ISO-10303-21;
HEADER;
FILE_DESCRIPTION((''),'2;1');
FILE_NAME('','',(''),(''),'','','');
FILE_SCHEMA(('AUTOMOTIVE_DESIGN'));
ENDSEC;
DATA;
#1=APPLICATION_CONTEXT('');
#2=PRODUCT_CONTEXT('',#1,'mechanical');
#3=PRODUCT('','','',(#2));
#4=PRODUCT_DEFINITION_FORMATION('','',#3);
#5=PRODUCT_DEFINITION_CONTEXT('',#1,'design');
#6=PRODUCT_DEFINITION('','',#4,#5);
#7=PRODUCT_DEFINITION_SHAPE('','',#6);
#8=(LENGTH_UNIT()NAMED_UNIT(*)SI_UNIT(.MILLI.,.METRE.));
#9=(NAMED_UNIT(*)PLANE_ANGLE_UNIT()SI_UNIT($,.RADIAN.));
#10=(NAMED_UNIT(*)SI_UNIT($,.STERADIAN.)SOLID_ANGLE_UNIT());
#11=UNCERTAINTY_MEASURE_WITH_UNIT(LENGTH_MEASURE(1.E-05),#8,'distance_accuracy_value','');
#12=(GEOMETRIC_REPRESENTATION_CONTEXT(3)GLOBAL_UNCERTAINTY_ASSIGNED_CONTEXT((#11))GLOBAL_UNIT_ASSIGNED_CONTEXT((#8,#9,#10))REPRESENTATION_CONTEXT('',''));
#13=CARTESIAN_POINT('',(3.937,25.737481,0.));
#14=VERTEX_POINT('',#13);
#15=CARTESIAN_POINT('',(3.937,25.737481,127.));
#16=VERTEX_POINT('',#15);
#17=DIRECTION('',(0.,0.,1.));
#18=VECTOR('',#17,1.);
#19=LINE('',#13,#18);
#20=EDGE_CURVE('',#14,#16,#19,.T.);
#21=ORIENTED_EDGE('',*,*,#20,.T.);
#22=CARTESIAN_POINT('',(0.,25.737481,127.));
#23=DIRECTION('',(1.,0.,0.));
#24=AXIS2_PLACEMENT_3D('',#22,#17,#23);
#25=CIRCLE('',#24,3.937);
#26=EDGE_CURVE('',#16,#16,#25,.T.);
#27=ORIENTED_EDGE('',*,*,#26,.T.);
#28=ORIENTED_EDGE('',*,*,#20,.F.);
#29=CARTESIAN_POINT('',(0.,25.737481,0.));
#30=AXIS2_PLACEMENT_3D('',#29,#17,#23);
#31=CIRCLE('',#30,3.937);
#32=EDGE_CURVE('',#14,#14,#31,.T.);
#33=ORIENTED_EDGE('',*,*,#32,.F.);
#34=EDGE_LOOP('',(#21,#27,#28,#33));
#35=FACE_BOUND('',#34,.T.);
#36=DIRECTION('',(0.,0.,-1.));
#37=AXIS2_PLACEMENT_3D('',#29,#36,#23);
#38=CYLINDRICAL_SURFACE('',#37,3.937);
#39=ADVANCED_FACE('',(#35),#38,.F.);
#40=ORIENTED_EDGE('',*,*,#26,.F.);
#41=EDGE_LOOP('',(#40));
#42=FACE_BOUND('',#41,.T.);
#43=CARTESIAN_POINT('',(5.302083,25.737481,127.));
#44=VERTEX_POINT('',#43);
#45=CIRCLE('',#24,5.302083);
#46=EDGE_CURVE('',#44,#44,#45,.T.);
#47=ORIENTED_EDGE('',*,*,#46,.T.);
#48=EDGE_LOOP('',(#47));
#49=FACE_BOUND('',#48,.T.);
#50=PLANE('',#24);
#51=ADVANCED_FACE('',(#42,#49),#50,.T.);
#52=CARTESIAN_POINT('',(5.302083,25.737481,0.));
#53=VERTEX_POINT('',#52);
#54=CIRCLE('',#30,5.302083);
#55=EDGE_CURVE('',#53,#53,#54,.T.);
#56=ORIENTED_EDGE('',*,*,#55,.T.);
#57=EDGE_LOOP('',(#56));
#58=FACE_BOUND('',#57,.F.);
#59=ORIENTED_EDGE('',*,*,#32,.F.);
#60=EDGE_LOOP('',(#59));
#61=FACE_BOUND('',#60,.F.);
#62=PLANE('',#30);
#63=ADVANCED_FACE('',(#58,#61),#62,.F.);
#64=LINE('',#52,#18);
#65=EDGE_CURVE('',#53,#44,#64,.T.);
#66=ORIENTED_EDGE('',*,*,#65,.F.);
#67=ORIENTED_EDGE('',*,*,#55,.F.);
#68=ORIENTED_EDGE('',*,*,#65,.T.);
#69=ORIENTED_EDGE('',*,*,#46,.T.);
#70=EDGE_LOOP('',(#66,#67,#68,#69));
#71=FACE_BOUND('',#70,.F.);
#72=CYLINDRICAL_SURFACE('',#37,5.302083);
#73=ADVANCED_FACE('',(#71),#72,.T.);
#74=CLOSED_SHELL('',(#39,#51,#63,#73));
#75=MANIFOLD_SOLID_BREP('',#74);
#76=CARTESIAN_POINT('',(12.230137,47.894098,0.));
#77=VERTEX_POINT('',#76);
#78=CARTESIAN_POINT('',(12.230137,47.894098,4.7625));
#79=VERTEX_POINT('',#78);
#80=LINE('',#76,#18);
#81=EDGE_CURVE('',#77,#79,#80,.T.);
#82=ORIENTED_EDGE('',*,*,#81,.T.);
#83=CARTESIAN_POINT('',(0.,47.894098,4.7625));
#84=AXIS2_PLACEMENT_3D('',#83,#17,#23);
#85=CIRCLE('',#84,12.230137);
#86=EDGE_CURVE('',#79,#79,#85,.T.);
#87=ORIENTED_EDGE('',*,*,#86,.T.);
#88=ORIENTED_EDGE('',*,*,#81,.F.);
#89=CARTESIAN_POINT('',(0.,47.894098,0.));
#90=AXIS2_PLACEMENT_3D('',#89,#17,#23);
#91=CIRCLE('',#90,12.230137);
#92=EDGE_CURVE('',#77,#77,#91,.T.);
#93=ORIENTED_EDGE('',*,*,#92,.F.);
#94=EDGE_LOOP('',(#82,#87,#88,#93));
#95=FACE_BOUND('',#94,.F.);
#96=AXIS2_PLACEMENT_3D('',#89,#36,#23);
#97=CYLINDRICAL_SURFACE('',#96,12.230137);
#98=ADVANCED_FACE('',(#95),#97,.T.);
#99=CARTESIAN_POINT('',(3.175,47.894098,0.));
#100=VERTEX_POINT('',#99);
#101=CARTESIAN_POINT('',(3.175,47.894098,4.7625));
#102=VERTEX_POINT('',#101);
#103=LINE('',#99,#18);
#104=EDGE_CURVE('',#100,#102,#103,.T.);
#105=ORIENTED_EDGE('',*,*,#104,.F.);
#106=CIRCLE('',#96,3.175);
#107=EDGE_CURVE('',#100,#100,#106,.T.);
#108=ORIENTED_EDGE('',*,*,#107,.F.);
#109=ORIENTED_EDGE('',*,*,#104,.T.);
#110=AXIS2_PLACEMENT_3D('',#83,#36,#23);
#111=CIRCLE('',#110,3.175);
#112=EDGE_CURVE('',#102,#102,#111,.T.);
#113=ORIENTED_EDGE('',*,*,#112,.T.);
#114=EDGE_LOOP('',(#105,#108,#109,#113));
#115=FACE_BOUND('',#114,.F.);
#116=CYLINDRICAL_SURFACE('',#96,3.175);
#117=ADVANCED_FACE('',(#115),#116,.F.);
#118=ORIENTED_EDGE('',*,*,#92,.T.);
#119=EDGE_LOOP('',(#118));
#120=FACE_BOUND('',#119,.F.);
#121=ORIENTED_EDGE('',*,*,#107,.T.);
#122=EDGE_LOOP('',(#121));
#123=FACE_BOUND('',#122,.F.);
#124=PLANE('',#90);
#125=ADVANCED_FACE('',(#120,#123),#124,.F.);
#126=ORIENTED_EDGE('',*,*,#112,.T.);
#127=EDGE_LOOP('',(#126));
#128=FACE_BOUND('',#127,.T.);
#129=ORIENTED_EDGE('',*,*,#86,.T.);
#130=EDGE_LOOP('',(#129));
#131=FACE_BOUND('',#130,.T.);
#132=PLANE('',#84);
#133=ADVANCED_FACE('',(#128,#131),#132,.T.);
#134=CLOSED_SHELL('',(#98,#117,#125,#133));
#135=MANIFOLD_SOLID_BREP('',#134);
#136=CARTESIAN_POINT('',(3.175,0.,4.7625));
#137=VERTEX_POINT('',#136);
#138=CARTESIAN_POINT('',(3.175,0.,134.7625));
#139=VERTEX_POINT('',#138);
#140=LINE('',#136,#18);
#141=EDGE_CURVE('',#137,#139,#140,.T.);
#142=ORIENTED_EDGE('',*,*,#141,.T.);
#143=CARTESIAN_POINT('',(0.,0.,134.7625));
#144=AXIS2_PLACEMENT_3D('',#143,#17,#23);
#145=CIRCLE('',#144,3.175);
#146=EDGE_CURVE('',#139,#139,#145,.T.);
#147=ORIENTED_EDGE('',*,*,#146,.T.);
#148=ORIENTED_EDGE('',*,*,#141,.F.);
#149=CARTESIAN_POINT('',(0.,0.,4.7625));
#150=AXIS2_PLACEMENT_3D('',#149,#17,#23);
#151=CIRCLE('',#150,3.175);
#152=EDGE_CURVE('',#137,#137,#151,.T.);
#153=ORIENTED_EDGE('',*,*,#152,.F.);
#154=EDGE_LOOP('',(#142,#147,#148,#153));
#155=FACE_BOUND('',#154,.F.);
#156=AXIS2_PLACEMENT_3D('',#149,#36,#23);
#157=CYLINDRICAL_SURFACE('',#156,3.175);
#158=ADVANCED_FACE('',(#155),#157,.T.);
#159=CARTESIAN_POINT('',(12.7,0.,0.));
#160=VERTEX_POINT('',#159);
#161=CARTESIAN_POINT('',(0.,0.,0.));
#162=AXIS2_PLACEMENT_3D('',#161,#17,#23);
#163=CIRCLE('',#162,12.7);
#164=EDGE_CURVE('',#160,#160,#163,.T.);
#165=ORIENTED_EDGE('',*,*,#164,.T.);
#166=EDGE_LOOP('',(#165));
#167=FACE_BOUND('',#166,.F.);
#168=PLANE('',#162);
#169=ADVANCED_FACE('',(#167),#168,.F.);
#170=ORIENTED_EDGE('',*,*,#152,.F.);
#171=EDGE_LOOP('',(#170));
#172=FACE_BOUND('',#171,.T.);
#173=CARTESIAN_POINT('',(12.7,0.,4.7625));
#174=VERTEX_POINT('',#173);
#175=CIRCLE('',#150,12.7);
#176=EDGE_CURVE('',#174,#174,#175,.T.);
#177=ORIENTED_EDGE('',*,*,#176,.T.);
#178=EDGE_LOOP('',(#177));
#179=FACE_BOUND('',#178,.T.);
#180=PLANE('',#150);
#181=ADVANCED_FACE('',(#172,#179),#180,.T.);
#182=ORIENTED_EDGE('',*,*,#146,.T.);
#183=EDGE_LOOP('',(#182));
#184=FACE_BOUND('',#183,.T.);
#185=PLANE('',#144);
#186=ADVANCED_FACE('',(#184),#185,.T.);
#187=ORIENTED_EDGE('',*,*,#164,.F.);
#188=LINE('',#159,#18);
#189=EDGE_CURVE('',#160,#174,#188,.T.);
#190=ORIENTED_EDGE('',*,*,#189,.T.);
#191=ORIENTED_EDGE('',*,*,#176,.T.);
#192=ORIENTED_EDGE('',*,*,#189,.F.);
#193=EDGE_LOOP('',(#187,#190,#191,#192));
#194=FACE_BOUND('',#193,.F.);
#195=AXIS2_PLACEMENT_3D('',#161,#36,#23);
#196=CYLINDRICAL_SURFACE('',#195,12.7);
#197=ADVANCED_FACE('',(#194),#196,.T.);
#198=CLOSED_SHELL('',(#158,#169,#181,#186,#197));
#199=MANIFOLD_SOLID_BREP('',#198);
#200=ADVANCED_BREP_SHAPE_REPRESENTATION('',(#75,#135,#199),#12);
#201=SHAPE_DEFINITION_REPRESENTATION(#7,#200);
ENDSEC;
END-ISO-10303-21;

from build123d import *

# Parameters (mm, degrees)
F0_R     = 12.7
F1_DEPTH = 4.7625
F2_R     = 3.175
F3_DEPTH = 130
F4_R     = 12.230137
F5_DEPTH = 4.7625
F6_R     = 3.175
F7_DEPTH = 6.8072
F8_R     = 5.302083
F8_R_2   = 3.937
F9_DEPTH = 127


with BuildPart() as f1:
    # F0 (on Top) → F1 (new body)
    with BuildSketch(Plane.XY):
        Circle(F0_R)
    extrude(amount=F1_DEPTH)

    # F2 (on face) → F3 (join)
    with BuildSketch(Plane.XY.offset(4.7625)):
        Circle(F2_R)
    extrude(amount=F3_DEPTH)


with BuildPart() as f5:
    # F4 (on Top) → F5 (new body)
    with BuildSketch(Plane.XY):
        with Locations((0, 47.894098)):
            Circle(F4_R)
    extrude(amount=F5_DEPTH)

    # F6 (on face) → F7 (cut)
    with BuildSketch(Plane(origin=(0, 0, 0), x_dir=(1, 0, 0), z_dir=(0, 0, -1))):
        with Locations((0, -47.894098)):
            Circle(F6_R)
    extrude(amount=-F7_DEPTH, mode=Mode.SUBTRACT)


with BuildPart() as f9:
    # F8 (on Top) → F9 (new body)
    with BuildSketch(Plane.XY):
        with Locations((0, 25.737481)):
            Circle(F8_R)
        with Locations((0, 25.737481)):
            Circle(F8_R_2, mode=Mode.SUBTRACT)
    extrude(amount=F9_DEPTH)


solid = Compound([f1.part, f5.part, f9.part])
